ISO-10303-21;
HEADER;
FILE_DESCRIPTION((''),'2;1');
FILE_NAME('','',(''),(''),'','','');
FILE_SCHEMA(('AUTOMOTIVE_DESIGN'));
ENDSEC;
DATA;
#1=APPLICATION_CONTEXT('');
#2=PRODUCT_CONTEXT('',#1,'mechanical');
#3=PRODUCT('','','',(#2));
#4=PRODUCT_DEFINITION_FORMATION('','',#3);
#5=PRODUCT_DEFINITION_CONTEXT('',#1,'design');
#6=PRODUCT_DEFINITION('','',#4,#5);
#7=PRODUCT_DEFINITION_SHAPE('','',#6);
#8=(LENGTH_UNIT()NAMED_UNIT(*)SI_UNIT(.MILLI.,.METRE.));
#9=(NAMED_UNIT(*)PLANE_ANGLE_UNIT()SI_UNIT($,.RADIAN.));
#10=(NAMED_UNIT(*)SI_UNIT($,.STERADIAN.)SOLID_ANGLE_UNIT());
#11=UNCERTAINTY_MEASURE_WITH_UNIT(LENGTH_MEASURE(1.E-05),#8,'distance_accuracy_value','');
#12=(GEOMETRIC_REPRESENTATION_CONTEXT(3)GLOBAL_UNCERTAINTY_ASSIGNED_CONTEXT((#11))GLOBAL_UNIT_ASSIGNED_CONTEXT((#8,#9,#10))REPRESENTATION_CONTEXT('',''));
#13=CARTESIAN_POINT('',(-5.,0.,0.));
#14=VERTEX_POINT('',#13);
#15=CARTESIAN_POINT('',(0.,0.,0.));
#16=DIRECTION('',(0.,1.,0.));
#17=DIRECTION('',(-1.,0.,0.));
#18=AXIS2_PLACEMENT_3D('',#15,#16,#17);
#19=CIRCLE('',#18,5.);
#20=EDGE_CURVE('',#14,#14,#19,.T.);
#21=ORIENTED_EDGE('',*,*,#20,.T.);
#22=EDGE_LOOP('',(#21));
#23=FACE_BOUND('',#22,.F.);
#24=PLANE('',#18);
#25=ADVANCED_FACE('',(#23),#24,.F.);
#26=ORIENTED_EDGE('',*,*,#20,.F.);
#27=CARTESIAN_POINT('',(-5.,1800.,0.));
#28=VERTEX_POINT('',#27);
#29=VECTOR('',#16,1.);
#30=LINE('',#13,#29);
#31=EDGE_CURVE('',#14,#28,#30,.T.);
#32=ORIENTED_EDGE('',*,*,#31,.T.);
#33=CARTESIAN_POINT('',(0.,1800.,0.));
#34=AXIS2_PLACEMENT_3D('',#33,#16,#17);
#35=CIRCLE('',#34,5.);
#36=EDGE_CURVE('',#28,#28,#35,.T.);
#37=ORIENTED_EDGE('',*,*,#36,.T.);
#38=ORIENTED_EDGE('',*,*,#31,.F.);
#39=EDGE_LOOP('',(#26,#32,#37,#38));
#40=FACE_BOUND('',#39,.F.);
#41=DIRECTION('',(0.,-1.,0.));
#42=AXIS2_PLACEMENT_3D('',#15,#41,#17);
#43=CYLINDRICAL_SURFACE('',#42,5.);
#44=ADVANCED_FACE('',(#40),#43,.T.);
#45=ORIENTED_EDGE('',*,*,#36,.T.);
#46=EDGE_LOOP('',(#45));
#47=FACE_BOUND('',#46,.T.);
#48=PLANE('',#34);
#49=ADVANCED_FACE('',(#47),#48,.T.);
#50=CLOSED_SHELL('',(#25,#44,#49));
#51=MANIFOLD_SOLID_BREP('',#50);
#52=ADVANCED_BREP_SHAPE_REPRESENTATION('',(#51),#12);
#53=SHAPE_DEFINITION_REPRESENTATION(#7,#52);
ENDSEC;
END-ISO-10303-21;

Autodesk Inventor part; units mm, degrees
ref_plane "YZ Plane" through (0, 0, 0) normal (1, 0, 0) x (0, 1, 0)
ref_plane "XZ Plane" through (0, 0, 0) normal (0, 1, 0) x (-1, 0, 0)
ref_plane "XY Plane" through (0, 0, 0) normal (0, 0, 1) x (1, 0, 0)
sketch "Sketch1" plane through (0, 0, 0) normal (0, 1, 0) x (-1, 0, 0)
  circle A0 centre (0, 0) radius 5
  dimension "d0" = 10
extrude "Extrusion1" add sketch "Sketch1" along normal blind 1800
properties part number "centralLineUpper"
